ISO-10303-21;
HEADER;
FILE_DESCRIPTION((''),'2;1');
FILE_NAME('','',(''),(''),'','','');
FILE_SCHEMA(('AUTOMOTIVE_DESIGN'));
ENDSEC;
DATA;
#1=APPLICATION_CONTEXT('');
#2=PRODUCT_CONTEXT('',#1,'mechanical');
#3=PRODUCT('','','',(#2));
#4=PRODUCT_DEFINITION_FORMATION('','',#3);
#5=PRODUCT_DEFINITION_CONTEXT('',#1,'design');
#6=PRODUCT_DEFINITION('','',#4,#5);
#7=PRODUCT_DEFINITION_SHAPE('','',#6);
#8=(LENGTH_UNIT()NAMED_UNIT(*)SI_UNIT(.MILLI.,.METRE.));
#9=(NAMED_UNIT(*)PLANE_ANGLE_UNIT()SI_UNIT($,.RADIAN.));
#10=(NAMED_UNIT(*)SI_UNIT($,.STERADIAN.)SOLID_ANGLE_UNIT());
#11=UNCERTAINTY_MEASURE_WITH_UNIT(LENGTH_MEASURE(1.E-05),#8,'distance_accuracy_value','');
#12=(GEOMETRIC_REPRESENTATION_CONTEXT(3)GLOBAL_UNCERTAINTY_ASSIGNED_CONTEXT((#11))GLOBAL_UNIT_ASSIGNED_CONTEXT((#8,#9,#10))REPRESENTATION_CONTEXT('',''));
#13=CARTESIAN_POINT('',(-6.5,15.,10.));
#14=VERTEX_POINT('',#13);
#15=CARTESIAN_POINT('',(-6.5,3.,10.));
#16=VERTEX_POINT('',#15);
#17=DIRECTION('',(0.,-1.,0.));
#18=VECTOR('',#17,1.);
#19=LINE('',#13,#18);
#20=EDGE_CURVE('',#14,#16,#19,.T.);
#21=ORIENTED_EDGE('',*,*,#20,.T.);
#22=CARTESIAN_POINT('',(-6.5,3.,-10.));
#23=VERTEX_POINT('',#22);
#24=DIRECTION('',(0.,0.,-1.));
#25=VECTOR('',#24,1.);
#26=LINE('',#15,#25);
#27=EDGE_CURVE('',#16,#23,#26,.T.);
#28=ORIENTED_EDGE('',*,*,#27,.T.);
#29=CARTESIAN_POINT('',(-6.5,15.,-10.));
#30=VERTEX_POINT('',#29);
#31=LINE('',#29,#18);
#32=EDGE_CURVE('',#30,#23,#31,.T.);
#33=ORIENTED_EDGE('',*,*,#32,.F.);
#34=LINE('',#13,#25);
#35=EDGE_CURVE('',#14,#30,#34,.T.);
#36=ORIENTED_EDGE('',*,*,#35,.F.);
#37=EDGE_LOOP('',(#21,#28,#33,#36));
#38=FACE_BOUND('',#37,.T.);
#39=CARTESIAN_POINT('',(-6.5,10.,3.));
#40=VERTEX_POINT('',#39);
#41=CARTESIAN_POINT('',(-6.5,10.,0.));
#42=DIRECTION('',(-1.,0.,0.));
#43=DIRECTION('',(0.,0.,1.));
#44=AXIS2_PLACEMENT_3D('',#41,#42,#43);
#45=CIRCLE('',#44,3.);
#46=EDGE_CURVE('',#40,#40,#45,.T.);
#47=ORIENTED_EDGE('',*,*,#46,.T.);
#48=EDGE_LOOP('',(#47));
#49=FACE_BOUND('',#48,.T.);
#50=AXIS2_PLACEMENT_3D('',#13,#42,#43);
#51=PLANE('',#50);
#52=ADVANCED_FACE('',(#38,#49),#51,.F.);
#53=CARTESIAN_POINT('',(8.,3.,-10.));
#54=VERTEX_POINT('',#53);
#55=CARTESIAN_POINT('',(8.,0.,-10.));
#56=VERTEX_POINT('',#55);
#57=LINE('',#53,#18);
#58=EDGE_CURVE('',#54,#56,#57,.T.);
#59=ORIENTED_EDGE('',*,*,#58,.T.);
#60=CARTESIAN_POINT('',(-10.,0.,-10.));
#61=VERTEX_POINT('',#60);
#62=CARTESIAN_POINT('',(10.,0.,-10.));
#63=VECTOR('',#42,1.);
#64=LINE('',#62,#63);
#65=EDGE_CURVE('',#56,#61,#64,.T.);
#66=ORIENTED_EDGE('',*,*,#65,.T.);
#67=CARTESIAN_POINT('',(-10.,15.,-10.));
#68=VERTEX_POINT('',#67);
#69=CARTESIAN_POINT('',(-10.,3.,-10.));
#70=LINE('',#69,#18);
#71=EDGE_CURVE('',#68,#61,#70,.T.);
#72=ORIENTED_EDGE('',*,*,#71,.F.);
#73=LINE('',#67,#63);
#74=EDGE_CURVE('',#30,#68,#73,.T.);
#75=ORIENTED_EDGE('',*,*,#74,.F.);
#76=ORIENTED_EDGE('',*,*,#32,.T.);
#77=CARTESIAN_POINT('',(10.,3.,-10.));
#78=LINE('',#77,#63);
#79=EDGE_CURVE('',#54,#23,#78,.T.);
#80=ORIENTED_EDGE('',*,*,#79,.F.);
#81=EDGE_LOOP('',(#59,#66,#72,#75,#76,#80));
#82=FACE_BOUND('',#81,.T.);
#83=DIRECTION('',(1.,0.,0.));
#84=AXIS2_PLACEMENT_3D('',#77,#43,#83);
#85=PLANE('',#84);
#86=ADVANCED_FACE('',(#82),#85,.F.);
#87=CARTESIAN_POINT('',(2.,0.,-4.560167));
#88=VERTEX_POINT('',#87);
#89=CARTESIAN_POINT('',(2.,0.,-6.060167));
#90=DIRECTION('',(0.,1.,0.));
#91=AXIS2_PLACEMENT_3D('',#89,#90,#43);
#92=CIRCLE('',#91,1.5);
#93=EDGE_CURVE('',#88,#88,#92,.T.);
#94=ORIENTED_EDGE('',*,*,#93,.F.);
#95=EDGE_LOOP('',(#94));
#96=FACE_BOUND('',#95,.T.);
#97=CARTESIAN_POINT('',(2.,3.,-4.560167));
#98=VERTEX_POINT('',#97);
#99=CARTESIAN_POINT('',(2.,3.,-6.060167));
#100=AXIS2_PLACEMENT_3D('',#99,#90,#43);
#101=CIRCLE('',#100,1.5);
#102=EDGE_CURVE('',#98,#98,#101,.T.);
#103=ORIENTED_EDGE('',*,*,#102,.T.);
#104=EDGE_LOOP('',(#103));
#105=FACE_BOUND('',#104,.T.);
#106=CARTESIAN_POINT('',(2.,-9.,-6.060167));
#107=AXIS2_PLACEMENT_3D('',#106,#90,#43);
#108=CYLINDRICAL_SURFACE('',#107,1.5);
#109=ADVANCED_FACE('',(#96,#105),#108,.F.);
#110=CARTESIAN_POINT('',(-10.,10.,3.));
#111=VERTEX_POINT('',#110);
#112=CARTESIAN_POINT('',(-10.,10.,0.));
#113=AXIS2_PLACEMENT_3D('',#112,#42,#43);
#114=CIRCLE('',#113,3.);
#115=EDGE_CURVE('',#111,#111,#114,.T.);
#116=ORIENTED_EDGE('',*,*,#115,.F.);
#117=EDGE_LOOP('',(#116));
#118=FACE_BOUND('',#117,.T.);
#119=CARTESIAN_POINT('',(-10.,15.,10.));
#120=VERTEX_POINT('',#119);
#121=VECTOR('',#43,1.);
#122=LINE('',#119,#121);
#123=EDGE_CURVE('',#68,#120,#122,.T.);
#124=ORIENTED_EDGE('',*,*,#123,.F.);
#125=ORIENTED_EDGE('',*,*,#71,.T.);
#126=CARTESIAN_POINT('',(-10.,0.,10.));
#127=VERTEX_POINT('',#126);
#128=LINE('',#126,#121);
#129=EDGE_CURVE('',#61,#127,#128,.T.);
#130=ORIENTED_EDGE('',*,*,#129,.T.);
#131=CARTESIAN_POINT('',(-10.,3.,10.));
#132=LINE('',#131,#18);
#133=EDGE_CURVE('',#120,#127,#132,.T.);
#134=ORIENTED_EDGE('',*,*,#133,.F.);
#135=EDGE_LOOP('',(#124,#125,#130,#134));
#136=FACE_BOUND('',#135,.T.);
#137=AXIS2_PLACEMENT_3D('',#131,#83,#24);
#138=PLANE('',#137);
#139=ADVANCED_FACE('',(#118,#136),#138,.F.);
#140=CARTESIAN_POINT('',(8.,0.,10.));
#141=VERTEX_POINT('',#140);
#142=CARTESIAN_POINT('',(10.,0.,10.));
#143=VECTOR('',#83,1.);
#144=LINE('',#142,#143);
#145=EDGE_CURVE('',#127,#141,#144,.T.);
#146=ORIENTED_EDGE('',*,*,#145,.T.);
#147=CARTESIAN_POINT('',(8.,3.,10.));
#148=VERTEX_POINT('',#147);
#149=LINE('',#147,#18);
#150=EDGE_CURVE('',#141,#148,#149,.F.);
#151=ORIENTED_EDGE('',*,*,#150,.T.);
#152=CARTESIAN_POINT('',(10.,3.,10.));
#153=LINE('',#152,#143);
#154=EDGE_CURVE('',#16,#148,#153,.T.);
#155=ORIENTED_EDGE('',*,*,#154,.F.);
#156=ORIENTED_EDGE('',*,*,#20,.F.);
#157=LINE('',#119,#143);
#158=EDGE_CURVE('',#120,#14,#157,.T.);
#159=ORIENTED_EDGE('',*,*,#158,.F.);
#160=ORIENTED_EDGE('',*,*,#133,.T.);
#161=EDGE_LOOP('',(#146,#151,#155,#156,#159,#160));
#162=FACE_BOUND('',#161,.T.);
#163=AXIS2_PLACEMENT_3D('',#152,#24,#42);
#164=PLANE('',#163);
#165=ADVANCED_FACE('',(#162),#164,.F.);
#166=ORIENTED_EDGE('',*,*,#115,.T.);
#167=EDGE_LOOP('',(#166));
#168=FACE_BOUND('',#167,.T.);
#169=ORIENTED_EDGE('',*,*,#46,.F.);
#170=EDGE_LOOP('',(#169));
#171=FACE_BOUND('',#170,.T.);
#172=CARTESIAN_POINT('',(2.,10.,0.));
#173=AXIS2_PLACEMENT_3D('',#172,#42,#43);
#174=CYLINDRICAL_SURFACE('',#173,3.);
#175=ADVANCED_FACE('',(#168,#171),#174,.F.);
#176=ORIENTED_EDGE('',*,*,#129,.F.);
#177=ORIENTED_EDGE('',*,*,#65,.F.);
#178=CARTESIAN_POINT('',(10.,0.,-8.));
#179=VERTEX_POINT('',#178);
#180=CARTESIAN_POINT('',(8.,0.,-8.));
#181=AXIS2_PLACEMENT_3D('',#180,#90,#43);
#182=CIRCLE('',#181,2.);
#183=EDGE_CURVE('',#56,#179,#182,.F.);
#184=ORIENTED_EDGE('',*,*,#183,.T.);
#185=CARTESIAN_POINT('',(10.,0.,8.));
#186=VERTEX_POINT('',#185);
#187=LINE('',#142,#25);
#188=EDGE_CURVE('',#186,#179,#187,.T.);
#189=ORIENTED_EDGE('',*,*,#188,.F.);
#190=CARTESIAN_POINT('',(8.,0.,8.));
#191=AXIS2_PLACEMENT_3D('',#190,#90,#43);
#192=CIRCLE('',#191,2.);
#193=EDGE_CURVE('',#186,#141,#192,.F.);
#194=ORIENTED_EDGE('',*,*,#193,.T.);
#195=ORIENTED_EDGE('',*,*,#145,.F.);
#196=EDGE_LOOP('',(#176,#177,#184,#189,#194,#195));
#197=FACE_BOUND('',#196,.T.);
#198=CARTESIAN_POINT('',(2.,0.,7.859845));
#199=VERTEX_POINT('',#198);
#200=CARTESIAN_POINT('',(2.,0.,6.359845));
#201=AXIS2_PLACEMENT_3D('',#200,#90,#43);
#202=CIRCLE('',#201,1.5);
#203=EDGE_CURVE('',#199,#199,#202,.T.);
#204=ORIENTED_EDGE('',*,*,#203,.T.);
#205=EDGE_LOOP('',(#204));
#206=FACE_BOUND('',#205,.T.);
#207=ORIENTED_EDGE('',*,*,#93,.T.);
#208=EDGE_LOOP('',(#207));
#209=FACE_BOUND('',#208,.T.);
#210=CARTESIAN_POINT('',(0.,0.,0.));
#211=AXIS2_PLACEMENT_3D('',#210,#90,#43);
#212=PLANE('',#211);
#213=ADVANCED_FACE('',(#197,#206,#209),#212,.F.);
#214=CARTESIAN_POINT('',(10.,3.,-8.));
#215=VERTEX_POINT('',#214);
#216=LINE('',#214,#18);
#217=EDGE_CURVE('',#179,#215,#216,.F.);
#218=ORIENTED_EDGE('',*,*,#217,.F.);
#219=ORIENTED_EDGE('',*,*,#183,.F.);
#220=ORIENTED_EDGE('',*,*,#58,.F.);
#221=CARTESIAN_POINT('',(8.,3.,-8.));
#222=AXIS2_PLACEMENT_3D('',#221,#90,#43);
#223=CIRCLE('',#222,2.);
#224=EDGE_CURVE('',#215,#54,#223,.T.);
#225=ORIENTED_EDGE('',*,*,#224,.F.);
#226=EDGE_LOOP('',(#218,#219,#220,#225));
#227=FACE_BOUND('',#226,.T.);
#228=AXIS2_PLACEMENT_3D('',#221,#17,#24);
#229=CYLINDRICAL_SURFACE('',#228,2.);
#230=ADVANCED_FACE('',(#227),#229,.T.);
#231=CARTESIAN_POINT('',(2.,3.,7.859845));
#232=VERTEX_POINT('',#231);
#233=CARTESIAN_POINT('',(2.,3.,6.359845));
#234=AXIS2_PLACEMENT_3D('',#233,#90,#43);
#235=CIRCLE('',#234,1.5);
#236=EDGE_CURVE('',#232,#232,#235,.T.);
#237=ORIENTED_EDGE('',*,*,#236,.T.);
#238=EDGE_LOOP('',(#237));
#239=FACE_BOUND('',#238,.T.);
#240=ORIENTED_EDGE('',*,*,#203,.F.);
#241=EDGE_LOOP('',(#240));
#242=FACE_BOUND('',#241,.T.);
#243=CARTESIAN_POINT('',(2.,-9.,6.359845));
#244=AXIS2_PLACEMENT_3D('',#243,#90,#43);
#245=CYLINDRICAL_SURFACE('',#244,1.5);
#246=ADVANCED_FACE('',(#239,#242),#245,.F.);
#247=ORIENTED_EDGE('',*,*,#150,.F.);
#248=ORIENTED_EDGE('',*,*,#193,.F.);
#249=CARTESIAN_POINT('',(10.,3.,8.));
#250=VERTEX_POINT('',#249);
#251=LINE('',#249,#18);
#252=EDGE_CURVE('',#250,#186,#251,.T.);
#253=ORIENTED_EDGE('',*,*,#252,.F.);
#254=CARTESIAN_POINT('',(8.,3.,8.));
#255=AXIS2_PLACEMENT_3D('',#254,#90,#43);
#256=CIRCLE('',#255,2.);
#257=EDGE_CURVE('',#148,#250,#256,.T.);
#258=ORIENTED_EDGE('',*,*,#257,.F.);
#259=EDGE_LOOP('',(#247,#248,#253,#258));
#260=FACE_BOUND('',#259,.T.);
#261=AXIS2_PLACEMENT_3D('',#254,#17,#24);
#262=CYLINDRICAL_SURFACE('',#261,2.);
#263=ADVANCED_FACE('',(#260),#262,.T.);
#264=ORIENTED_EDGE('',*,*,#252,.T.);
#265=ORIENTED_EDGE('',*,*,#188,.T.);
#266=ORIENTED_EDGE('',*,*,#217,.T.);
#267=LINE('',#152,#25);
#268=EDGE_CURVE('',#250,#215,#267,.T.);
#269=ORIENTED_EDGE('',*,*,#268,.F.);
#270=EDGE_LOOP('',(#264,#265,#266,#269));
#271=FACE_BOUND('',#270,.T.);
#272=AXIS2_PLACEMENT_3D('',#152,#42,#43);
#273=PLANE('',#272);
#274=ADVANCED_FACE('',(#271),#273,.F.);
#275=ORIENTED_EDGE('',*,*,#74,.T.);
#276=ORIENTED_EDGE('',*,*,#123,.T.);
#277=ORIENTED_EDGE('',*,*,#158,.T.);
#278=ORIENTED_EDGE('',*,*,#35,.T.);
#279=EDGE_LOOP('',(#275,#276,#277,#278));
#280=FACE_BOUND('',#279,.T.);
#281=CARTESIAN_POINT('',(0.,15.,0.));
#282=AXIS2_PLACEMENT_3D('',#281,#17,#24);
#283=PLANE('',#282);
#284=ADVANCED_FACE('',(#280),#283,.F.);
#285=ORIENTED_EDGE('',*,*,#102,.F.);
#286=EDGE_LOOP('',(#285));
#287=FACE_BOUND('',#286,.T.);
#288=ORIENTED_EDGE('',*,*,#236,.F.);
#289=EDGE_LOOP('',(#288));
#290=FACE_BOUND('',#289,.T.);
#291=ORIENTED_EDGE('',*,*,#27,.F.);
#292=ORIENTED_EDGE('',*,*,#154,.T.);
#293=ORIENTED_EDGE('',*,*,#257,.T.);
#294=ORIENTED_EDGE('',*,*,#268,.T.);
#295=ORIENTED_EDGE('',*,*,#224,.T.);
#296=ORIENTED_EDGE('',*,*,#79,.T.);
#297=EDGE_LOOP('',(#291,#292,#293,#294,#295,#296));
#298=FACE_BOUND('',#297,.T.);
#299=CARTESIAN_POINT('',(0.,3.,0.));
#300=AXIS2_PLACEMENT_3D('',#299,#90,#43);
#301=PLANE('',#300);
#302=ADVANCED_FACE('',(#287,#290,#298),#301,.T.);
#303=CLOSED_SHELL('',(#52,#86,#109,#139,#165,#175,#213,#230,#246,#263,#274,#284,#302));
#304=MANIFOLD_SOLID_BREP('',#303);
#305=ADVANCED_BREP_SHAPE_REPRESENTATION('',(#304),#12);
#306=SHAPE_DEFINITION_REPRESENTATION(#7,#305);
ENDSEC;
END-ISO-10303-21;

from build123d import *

# Parameters (mm, degrees)
SKETCH1_W           = 20
SKETCH1_H           = 20
BOSS_EXTRUDE1_DEPTH = 3
SKETCH2_W           = 3.5
SKETCH2_H           = 20
BOSS_EXTRUDE2_DEPTH = 12
SKETCH3_R           = 3
CUT_EXTRUDE1_DEPTH  = 12
FILLET1_R           = 2
SKETCH4_R           = 1.5
CUT_EXTRUDE2_DEPTH  = 12


with BuildPart() as part:
    # Sketch1 → Boss-Extrude1 (new body)
    with BuildSketch(Plane(origin=(0, 0, 0), x_dir=(1, 0, 0), z_dir=(0, 1, 0))):
        Rectangle(SKETCH1_W, SKETCH1_H)
    extrude(amount=BOSS_EXTRUDE1_DEPTH)

    # Sketch2 → Boss-Extrude2 (add)
    with BuildSketch(Plane(origin=(0, 3, 0), x_dir=(1, 0, 0), z_dir=(0, 1, 0))):
        with Locations((-8.25, 0)):
            Rectangle(SKETCH2_W, SKETCH2_H)
    extrude(amount=BOSS_EXTRUDE2_DEPTH)

    # Sketch3 → Cut-Extrude1 (cut)
    with BuildSketch(Plane.ZY.offset(10)):
        with Locations((0, 10)):
            Circle(SKETCH3_R)
    extrude(amount=-CUT_EXTRUDE1_DEPTH, mode=Mode.SUBTRACT)

    # Fillet1
    fillet1_edges = [part.edges().sort_by_distance(p)[0] for p in [
        (10, 1.5, -10),
        (10, 1.5, 10),
    ]]
    fillet(fillet1_edges, radius=FILLET1_R)

    # Sketch4 → Cut-Extrude2 (cut)
    with BuildSketch(Plane(origin=(0, 3, 0), x_dir=(1, 0, 0), z_dir=(0, 1, 0))):
        with Locations(Location((2, 6.060166803, 0), (0, 0, 270))):
            Circle(SKETCH4_R)
        with Locations(Location((2, -6.359845381, 0), (0, 0, 270))):
            Circle(SKETCH4_R)
    extrude(amount=-CUT_EXTRUDE2_DEPTH, mode=Mode.SUBTRACT)


solid = part.part
